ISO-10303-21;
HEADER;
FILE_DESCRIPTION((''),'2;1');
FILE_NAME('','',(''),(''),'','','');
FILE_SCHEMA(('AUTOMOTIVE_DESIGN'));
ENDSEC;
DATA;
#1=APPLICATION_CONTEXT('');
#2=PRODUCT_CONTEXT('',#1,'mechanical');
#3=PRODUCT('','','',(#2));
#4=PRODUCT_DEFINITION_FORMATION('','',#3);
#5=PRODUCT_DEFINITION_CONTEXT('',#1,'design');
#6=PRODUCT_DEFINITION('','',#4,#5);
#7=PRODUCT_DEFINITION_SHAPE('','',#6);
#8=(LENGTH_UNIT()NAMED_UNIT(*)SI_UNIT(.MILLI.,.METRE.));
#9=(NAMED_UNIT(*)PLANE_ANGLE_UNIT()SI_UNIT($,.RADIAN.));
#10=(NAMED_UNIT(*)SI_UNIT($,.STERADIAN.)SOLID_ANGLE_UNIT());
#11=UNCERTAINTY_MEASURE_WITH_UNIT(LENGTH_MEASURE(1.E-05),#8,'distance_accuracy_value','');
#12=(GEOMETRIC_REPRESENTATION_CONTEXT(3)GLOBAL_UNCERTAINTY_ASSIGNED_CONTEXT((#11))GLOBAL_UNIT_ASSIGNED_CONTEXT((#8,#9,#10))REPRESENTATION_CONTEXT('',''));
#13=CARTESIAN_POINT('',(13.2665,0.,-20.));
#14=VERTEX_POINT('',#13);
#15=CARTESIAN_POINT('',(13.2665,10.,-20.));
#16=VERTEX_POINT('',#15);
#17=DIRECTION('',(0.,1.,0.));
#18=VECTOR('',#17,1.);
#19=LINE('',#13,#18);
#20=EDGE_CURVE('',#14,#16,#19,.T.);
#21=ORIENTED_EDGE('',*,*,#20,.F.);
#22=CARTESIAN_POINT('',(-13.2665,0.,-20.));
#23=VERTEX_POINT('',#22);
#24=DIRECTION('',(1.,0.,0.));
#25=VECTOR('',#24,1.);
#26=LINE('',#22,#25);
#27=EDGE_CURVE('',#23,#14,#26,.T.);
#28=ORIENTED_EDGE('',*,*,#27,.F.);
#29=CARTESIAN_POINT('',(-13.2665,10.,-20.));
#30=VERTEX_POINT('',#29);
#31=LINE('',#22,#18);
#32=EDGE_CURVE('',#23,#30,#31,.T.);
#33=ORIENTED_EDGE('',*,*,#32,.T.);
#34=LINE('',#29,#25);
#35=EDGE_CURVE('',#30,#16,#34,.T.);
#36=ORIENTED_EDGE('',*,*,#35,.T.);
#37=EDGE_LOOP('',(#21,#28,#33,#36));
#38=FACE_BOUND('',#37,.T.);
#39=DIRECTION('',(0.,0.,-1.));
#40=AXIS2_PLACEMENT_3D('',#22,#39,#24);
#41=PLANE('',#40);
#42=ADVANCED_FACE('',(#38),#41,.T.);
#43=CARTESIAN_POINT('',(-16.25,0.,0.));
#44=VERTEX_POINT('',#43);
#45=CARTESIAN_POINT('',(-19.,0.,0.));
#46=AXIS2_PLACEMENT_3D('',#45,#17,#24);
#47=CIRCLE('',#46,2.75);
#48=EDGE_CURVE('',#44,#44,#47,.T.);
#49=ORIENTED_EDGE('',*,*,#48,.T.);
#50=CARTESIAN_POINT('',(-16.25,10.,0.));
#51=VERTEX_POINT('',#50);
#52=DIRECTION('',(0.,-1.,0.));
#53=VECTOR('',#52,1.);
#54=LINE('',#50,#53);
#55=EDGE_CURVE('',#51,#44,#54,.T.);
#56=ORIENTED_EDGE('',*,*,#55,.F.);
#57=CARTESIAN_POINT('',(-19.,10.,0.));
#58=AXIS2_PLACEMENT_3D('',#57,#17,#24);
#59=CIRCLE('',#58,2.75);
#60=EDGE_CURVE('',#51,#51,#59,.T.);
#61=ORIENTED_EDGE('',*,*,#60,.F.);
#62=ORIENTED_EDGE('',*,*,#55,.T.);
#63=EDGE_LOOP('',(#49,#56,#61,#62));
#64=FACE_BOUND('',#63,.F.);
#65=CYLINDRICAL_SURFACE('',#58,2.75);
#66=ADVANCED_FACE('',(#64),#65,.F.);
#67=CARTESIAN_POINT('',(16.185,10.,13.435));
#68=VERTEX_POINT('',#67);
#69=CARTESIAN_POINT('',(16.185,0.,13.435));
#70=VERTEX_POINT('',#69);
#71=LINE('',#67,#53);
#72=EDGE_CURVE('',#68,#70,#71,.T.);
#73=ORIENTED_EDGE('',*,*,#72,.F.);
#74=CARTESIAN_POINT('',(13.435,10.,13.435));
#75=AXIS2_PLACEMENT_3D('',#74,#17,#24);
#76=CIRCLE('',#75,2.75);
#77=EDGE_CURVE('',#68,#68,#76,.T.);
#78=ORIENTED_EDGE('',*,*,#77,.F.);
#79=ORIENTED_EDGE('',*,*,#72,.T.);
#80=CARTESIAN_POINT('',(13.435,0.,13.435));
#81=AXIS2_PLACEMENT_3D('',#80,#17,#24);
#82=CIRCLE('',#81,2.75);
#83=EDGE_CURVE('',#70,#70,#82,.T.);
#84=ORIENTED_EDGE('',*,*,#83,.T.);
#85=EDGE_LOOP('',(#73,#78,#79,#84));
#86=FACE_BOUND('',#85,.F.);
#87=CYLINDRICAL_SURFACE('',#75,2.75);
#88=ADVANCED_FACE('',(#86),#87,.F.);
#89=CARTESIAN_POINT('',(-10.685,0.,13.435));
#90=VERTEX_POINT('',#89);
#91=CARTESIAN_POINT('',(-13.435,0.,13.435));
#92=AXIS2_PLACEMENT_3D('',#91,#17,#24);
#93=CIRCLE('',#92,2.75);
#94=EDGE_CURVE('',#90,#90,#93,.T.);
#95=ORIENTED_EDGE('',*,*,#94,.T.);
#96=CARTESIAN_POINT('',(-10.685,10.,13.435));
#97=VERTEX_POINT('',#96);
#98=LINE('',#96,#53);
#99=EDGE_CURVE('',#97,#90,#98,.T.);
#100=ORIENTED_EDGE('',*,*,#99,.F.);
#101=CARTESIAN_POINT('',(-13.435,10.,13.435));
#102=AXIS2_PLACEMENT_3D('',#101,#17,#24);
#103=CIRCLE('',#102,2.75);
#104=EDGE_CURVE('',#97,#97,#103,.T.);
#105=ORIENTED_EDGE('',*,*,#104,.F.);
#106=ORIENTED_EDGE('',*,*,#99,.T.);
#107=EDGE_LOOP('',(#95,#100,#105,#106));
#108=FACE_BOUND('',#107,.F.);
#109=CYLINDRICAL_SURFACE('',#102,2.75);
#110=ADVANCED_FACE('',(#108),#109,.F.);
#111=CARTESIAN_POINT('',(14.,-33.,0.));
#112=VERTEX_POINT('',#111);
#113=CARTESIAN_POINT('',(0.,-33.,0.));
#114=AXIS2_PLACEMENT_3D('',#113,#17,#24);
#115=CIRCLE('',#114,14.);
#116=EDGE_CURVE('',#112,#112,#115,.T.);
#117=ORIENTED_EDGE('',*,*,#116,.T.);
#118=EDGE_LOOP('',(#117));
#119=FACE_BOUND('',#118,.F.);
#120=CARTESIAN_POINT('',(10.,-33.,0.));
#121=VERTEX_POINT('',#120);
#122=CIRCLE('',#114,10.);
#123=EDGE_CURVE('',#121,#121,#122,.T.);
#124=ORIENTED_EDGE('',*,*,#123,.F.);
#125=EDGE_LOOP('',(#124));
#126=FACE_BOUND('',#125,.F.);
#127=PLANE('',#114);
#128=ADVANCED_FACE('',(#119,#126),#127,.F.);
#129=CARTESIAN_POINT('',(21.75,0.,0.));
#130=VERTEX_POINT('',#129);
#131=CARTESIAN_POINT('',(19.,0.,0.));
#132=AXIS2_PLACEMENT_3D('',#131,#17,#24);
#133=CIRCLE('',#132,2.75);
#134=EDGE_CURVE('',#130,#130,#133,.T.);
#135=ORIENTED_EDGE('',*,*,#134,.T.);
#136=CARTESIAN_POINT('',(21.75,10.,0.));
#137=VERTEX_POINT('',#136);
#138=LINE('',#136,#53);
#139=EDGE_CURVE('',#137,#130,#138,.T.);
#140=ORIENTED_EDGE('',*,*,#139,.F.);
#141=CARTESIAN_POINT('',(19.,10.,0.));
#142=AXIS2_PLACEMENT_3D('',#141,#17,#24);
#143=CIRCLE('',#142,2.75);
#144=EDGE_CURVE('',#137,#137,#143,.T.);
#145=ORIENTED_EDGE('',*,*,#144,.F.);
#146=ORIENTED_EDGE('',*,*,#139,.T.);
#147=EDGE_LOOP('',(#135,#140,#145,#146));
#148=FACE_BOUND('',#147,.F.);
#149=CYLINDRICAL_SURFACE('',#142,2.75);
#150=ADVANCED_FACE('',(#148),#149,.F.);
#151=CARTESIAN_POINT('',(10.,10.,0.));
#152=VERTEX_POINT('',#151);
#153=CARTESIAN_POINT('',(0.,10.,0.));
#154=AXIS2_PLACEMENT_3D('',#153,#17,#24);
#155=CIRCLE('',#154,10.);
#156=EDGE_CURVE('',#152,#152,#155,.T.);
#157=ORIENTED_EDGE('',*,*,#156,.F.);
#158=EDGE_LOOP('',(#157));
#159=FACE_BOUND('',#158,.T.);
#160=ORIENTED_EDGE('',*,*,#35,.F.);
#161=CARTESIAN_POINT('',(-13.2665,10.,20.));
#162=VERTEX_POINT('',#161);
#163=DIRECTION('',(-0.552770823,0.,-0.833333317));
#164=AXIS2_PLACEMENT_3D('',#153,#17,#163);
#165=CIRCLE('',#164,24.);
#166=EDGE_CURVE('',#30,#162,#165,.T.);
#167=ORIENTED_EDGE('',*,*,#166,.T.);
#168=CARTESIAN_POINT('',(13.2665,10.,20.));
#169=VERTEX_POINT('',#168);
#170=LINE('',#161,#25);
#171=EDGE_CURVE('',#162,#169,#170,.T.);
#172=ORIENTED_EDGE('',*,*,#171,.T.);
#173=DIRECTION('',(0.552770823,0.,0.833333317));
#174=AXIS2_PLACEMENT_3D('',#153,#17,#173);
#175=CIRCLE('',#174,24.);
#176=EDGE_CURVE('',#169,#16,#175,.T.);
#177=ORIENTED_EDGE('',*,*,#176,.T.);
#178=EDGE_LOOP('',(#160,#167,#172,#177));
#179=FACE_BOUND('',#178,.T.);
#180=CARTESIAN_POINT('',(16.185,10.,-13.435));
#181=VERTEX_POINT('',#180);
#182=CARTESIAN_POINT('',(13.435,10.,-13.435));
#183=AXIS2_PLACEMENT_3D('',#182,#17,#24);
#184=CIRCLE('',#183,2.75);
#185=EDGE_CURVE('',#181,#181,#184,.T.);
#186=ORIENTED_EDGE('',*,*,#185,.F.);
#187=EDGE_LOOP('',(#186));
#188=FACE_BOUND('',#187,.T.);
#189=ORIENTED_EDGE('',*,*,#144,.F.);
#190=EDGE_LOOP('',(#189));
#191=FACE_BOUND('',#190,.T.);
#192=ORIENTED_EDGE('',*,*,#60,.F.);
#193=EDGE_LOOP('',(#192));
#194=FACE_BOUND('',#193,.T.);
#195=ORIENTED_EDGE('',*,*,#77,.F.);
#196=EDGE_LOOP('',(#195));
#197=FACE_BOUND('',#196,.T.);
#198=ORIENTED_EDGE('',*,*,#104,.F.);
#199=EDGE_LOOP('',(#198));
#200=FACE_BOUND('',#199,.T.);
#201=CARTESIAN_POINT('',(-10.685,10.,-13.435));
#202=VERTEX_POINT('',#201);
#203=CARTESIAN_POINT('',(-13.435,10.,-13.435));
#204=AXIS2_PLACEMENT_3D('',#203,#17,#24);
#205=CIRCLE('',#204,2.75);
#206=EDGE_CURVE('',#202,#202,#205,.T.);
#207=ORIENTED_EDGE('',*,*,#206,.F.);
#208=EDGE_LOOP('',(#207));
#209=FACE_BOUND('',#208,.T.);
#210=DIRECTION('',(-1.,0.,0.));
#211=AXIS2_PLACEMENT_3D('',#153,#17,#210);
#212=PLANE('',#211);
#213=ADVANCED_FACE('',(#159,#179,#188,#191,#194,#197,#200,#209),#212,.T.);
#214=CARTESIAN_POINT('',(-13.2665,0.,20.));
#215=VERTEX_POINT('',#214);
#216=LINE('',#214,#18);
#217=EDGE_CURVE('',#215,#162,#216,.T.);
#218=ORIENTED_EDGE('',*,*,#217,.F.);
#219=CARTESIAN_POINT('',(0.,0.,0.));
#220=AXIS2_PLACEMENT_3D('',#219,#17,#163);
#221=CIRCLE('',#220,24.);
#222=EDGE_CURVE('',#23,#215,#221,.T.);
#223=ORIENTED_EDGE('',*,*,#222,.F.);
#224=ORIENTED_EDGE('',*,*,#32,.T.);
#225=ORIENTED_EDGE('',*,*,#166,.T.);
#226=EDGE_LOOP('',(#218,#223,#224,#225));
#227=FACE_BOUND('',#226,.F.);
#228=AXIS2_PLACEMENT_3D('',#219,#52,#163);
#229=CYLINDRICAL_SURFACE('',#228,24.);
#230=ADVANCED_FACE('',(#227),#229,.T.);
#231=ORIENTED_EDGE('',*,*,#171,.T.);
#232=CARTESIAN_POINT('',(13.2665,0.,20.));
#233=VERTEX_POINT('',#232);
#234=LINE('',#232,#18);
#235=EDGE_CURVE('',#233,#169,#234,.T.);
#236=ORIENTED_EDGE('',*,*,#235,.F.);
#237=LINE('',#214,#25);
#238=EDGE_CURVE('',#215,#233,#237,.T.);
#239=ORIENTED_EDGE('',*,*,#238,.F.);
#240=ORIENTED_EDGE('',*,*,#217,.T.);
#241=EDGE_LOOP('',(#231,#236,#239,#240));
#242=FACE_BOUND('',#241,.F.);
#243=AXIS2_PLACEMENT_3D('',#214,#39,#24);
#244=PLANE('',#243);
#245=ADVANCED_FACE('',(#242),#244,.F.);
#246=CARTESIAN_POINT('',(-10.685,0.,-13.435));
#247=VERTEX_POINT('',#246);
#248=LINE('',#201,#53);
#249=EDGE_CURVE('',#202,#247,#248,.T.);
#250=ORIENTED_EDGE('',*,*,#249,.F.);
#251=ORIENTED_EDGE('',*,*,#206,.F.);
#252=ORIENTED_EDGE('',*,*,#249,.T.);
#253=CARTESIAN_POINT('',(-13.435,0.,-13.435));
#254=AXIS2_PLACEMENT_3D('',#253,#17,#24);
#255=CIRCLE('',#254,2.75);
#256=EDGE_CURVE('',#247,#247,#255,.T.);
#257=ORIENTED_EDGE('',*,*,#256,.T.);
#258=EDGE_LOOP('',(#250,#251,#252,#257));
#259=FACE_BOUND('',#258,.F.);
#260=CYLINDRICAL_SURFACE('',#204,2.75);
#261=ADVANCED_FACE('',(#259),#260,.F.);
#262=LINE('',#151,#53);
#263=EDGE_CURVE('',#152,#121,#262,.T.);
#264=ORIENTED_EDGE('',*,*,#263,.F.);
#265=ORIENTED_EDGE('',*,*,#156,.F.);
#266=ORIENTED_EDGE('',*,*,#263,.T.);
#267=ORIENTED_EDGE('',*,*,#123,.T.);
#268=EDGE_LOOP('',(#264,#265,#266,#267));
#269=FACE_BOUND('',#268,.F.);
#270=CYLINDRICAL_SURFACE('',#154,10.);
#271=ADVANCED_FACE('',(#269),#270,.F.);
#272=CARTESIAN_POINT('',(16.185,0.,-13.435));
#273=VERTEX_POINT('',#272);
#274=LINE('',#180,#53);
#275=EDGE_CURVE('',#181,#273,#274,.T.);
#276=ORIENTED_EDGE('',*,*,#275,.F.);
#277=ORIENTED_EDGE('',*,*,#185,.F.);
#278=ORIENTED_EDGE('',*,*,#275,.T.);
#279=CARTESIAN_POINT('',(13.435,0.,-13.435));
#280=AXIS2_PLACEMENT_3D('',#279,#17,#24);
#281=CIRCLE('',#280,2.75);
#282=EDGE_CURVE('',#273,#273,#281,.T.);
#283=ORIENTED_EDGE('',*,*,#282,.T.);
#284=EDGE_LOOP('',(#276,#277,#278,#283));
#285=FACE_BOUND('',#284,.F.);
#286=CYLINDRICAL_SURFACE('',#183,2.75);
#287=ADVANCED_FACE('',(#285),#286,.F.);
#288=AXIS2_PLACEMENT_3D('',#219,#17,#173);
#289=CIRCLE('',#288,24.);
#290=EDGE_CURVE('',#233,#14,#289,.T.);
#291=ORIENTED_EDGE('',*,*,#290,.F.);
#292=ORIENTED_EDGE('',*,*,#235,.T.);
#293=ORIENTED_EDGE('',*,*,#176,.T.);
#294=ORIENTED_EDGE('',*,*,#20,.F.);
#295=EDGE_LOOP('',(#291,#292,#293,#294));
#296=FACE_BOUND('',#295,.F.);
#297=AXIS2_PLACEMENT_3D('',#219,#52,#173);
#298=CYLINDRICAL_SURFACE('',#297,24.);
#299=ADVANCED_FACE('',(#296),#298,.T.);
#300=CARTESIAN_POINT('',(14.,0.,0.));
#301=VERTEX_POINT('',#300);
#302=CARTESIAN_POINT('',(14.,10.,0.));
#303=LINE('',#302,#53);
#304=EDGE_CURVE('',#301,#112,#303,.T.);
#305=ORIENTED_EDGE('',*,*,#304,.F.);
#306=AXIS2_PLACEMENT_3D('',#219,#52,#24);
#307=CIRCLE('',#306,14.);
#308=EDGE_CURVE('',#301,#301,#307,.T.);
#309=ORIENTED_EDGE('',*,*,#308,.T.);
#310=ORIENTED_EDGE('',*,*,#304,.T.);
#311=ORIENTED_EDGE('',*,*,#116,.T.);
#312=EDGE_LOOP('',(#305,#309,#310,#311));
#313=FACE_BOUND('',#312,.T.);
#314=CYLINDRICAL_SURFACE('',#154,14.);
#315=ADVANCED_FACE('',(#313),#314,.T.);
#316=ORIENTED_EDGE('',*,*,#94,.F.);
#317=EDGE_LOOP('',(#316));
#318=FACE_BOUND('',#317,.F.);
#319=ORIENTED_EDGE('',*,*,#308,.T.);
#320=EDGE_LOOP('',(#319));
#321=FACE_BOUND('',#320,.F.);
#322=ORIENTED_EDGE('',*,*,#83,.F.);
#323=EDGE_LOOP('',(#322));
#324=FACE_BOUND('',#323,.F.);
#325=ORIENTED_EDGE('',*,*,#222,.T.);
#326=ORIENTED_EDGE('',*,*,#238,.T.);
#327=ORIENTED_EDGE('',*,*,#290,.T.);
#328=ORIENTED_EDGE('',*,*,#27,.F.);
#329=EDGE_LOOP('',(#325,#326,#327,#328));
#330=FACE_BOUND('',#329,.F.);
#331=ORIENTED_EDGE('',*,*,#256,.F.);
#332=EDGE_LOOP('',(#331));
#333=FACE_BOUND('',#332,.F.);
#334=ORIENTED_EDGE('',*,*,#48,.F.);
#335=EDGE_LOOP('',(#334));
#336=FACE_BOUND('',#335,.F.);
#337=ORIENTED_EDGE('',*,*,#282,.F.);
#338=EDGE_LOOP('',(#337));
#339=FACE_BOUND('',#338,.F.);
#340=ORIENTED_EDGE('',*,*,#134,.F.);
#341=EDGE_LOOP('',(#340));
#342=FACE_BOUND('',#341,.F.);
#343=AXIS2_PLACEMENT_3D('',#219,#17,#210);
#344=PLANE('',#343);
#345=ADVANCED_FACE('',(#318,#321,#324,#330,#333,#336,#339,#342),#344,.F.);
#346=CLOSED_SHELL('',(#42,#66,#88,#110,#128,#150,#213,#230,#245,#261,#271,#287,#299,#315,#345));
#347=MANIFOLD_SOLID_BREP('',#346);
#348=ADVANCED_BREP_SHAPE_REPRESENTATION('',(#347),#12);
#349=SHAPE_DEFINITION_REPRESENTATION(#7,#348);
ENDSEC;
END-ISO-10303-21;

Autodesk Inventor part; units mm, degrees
ref_plane "YZ Plane" through (0, 0, 0) normal (1, 0, 0) x (0, 1, 0)
ref_plane "XZ Plane" through (0, 0, 0) normal (0, 1, 0) x (-1, 0, 0)
ref_plane "XY Plane" through (0, 0, 0) normal (0, 0, 1) x (1, 0, 0)
sketch "Sketch1" plane through (0, 0, 0) normal (0, 1, 0) x (-1, 0, 0)
  circle A0 centre (0, 0) radius 14
  line L0 (13.2665, 20) -> (-13.2665, 20)
  line L1 (13.2665, -20) -> (-13.2665, -20)
  arc A1 (13.2665, -20) -> (13.2665, 20) centre (0, 0) ccw
  arc A2 (-13.2665, 20) -> (-13.2665, -20) centre (0, 0) ccw
  dimension "d1" = 28
  dimension "d2" = 20
  dimension "d3" = 20
  dimension "d19" = 24
extrude "Extrusion1" add sketch "Sketch1" along normal blind 10
sketch "Sketch2" plane through (0, 10, 0) normal (0, 1, 0) x (1, 0, 0)
  circle A0 centre (0, 0) radius 14 projected
  line L0 (-13.2665, -20) -> (13.2665, -20) projected
  arc A1 (13.2665, -20) -> (13.2665, 20) centre (0, 0) ccw projected
  line L1 (13.2665, 20) -> (-13.2665, 20) projected
  arc A2 (-13.2665, 20) -> (-13.2665, -20) centre (0, 0) ccw projected
  circle A3 centre (-19, 0) radius 2.75
  circle A4 centre (-13.435, 13.435) radius 2.75
  circle A5 centre (-13.435, -13.435) radius 2.75
  line L2 (0, -20) -> (0, 20)
  line L3 (13.2665, 20) -> (-13.2665, 20) projected
  circle A6 centre (19, 0) radius 2.75
  circle A7 centre (13.435, 13.435) radius 2.75
  circle A8 centre (13.435, -13.435) radius 2.75
  dimension "d6" = 5.5
  dimension "d7" = 0
  dimension "d8" = 24
  dimension "d9" = 28
  dimension "d10" = 19
  dimension "d11" = 5.5
  dimension "d12" = 13.435
  dimension "d13" = 13.435
  dimension "d14" = 5.5
  dimension "d15" = 13.435
  dimension "d16" = 13.435
  dimension "d20" = 38
extrude "Extrusion2" cut sketch "Sketch2" against normal blind 10 contours A3 | A4 | A5 | A6 | A7 | A8
sketch "Sketch3" plane through (0, 10, 0) normal (0, 1, 0) x (1, 0, 0)
  circle A0 centre (0, 0) radius 14 projected
  circle A1 centre (0, 0) radius 10
  dimension "d21" = 20
extrude "Extrusion3" add sketch "Sketch3" against normal blind 43
equation "\"d10\" = 0.25 * d9 + 0.5 * d8"
equation "\"d12\" = 0.707107 * d10"
equation "\"d13\" = d12"
equation "\"d15\" = d13"
equation "\"d16\" = d12"
properties part number "PowerScrewNut"
